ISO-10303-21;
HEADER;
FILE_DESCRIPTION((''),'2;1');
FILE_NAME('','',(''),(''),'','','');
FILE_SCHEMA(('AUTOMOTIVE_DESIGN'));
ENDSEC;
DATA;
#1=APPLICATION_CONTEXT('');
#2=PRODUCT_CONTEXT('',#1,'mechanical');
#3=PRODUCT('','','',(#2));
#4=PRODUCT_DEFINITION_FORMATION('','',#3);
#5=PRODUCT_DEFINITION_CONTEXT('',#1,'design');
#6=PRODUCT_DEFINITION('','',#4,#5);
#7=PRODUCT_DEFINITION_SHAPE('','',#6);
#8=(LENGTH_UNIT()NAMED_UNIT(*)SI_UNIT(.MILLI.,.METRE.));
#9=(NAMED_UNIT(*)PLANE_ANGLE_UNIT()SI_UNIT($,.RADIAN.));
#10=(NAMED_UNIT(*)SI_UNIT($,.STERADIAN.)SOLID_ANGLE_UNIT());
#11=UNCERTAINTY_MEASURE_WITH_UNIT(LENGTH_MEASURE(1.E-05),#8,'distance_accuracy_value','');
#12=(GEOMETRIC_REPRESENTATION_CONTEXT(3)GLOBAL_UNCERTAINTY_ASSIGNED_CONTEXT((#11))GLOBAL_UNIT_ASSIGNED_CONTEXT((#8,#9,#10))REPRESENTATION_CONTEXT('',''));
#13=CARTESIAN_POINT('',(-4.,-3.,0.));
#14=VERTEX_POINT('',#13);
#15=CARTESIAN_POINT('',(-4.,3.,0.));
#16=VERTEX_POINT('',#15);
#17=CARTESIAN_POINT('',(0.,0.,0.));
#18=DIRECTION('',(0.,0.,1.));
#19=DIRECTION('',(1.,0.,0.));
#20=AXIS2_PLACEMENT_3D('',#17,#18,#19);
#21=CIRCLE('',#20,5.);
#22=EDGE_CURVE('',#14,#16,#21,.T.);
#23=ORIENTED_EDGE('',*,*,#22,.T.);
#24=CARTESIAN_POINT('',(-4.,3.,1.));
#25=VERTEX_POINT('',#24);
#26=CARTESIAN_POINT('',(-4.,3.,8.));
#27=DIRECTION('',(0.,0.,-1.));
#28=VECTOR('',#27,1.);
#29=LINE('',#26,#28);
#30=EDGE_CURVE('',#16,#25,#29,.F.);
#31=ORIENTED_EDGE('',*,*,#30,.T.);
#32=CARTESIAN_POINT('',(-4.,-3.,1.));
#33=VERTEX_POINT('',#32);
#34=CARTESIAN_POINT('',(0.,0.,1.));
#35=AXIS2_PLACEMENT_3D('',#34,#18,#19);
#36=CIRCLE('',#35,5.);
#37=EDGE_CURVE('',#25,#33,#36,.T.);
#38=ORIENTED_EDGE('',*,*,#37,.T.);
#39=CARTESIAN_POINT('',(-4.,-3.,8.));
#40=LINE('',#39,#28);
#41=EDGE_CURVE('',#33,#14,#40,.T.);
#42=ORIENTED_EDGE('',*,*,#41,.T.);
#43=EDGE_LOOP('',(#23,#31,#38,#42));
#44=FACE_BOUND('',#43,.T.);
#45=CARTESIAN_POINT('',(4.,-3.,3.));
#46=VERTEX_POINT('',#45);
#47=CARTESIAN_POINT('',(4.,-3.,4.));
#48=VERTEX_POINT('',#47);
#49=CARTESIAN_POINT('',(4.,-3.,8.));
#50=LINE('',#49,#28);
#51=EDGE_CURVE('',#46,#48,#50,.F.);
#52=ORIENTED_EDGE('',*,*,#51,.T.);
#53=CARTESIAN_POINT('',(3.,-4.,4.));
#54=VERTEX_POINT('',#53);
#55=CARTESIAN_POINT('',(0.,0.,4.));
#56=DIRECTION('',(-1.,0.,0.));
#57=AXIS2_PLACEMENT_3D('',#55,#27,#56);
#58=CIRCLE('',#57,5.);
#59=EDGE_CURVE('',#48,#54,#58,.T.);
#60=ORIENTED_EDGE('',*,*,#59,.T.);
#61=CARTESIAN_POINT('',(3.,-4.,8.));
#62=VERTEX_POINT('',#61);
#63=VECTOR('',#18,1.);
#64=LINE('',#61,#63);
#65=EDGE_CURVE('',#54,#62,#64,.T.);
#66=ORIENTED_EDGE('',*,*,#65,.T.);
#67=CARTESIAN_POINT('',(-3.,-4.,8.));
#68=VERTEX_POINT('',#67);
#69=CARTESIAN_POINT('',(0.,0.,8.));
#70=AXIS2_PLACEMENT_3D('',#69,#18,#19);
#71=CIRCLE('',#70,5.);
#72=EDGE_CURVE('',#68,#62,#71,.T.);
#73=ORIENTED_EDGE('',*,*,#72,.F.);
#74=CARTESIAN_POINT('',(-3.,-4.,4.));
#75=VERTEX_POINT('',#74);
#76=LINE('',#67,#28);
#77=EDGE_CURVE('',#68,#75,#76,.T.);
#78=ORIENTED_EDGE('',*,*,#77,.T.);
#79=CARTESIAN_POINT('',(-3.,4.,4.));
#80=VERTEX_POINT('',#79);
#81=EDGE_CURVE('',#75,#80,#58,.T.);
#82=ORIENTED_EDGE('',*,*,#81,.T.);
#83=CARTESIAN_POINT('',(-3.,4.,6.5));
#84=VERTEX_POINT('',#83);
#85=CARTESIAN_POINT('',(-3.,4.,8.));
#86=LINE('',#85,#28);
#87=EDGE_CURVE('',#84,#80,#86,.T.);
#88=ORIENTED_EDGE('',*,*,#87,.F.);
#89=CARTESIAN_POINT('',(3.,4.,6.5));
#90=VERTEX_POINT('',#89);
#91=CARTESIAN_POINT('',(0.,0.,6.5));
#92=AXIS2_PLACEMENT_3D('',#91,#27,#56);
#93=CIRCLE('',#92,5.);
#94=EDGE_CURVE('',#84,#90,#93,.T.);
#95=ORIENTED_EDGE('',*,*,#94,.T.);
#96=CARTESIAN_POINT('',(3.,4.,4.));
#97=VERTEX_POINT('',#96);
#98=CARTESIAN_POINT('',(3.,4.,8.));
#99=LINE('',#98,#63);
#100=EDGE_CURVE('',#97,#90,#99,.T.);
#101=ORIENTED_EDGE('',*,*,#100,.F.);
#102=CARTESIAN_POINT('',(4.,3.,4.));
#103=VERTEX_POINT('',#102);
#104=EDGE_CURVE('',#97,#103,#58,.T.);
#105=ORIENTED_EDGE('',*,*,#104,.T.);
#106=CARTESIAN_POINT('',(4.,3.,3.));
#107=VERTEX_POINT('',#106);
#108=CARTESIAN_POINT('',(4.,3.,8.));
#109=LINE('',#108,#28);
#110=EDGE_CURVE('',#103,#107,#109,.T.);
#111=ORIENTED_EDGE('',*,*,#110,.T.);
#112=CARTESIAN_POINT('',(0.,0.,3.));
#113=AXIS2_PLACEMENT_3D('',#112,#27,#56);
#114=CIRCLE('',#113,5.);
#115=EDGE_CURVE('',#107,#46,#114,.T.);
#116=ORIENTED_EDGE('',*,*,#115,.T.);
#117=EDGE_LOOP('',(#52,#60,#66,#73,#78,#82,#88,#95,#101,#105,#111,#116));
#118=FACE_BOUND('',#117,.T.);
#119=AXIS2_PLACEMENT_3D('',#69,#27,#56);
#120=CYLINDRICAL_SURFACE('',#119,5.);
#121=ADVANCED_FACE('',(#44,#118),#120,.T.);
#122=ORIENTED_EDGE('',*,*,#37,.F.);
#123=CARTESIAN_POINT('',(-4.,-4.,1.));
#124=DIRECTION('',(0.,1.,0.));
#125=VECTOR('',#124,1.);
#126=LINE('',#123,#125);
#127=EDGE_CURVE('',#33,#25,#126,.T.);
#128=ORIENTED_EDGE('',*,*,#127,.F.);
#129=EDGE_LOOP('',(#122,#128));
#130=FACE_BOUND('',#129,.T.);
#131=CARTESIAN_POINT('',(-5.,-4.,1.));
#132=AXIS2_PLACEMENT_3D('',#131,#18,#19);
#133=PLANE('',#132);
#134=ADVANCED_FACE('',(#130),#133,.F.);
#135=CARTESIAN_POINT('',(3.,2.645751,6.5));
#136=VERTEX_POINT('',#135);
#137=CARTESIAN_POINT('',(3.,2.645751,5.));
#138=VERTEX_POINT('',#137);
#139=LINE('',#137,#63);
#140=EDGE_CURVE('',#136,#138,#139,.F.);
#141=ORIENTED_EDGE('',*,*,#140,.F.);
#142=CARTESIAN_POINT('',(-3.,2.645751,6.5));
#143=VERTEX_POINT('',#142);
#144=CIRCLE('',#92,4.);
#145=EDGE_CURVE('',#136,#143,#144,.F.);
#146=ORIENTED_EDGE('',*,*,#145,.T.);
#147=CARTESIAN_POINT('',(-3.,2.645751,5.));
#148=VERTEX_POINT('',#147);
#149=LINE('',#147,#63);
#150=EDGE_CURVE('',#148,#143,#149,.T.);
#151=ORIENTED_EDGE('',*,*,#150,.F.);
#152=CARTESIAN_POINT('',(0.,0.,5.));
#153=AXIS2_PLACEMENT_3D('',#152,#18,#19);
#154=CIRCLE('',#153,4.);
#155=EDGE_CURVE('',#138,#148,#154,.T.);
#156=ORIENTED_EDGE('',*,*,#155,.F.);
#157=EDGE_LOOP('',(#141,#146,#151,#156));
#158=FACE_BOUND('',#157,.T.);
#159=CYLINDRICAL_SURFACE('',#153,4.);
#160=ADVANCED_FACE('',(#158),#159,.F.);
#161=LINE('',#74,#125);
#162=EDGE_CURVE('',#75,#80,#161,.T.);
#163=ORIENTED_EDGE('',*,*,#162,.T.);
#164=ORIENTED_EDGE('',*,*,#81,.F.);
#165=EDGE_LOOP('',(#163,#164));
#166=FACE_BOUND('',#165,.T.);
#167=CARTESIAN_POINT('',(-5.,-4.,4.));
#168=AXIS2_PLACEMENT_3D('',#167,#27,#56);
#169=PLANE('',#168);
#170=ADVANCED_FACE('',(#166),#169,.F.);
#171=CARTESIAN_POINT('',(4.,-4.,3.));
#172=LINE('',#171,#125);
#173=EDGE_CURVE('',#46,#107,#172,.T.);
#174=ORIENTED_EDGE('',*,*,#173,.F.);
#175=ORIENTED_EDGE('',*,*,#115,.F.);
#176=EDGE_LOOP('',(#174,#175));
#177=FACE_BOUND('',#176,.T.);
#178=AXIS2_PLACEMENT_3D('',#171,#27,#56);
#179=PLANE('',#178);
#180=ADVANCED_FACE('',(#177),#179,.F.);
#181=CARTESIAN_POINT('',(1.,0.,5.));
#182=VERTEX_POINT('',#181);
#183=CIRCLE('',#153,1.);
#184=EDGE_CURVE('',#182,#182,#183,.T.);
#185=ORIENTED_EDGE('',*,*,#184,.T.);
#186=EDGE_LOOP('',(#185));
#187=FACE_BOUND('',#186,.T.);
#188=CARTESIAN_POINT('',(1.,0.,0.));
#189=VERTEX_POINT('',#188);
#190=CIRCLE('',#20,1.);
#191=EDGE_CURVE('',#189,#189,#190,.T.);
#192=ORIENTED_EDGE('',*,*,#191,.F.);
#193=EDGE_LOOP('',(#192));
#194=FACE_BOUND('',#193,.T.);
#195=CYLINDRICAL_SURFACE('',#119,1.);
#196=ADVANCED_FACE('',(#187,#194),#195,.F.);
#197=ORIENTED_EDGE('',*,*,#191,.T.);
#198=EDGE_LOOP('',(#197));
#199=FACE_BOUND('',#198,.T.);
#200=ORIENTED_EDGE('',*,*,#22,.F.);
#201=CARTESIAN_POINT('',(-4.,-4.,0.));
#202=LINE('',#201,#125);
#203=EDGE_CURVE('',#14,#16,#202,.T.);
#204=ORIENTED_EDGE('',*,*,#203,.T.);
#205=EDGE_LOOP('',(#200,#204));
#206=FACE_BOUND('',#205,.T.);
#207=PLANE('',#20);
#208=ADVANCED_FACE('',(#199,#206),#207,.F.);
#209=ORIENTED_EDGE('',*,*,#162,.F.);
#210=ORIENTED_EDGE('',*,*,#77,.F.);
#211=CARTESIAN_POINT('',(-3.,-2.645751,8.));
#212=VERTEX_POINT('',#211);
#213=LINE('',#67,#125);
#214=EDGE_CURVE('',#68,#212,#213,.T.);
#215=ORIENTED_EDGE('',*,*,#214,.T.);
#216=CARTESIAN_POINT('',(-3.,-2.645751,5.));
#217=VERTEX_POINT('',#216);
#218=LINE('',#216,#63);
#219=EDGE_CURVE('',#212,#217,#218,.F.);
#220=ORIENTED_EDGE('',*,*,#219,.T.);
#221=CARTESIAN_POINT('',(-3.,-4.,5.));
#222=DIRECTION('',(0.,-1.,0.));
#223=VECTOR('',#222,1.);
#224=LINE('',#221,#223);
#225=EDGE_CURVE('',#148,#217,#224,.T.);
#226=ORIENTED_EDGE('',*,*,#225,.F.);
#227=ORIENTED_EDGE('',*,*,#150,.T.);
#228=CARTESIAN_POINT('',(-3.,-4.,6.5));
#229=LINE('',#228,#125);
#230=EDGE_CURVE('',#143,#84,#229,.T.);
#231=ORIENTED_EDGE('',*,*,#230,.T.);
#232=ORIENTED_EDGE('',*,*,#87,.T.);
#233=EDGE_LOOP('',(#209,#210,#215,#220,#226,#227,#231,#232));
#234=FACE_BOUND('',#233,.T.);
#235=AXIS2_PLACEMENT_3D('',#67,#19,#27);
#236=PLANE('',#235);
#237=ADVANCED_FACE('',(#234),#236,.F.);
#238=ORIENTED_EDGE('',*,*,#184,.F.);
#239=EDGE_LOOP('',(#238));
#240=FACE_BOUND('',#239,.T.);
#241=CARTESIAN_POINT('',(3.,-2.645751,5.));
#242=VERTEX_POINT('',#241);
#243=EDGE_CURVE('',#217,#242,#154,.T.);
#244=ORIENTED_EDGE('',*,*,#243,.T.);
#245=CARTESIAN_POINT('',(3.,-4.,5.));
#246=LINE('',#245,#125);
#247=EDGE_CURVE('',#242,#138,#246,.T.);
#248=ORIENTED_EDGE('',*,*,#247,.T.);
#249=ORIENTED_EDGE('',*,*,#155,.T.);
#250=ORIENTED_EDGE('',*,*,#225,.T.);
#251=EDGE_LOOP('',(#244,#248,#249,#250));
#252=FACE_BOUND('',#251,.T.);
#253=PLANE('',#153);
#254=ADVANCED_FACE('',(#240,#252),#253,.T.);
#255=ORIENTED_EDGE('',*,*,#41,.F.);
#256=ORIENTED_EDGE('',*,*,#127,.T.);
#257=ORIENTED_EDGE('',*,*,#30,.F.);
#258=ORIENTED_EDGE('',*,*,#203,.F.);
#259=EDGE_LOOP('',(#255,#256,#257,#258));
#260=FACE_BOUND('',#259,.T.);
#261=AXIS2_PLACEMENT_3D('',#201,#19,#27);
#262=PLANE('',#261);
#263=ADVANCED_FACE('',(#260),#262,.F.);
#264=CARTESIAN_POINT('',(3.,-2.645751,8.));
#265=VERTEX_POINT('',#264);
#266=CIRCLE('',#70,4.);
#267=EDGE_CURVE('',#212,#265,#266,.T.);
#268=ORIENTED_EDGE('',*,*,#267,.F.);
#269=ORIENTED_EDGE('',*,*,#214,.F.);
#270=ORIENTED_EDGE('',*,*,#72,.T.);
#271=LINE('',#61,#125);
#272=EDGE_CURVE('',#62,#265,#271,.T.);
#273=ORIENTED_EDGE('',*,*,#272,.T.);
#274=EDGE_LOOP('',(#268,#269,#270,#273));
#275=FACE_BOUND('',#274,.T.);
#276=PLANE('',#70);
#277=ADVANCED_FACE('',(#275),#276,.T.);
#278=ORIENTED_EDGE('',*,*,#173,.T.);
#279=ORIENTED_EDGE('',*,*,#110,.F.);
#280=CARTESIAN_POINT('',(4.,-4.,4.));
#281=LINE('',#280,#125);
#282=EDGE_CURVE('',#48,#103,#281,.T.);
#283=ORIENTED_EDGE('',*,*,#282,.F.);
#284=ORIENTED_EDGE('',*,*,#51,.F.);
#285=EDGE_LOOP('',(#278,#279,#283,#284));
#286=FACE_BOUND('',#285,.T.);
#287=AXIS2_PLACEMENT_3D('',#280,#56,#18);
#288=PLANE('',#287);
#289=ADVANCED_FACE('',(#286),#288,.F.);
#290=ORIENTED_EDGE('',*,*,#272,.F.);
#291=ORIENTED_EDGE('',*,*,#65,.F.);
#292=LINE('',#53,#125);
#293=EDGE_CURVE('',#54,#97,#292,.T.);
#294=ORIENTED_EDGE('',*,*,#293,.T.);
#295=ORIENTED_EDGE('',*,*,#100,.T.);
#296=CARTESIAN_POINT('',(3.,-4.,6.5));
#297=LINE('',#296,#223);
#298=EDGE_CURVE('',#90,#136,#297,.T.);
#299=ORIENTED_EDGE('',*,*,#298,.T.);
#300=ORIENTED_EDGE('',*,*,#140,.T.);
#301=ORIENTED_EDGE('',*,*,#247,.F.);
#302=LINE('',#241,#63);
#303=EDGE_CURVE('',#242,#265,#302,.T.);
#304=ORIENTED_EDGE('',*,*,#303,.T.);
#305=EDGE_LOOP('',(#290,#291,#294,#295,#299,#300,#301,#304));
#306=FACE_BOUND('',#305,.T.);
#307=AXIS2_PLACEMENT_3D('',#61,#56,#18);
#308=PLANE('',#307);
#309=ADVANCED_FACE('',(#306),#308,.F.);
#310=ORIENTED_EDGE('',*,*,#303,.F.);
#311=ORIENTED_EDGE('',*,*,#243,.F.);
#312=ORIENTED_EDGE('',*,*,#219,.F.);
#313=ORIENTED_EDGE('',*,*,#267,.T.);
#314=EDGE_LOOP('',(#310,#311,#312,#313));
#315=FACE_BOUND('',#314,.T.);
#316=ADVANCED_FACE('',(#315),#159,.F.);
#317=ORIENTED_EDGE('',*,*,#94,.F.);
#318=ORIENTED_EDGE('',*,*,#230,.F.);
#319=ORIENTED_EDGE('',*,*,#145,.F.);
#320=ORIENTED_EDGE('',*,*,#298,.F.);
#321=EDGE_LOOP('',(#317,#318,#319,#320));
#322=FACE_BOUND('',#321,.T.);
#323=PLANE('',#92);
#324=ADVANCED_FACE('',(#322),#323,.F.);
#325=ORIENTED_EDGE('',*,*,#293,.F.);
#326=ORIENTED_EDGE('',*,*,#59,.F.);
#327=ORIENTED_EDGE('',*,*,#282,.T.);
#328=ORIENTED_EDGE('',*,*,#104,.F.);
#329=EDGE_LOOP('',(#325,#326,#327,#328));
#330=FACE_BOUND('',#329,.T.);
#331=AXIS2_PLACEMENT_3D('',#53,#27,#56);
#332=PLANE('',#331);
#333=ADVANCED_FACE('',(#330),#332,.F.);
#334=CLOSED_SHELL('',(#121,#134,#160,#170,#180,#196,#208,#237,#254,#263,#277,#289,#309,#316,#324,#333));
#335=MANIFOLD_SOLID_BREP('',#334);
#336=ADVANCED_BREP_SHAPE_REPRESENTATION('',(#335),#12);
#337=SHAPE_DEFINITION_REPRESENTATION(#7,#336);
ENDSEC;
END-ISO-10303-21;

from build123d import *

# Parameters (mm, degrees)
SKETCH2_R           = 5
SKETCH2_R_2         = 1
BOSS_EXTRUDE1_DEPTH = 8
SKETCH3_W           = 1
SKETCH3_H           = 1
SKETCH3_W_2         = 2
SKETCH3_H_2         = 4
CUT_EXTRUDE1_DEPTH  = 4
SKETCH4_R           = 4
CUT_EXTRUDE2_DEPTH  = 3
SKETCH5_W           = 9.370112771
SKETCH5_H           = 5.033531654
CUT_EXTRUDE3_DEPTH  = 1.5


with BuildPart() as part:
    # Sketch2 → Boss-Extrude1 (new body)
    with BuildSketch(Plane.XY):
        Circle(SKETCH2_R)
        Circle(SKETCH2_R_2, mode=Mode.SUBTRACT)
    extrude(amount=BOSS_EXTRUDE1_DEPTH)

    # Sketch3 → Cut-Extrude1 (cut, symmetric)
    with BuildSketch(Plane(origin=(0, 0, 0), x_dir=(1, 0, 0), z_dir=(0, 1, 0))):
        with Locations((-4.5, -0.5)):
            Rectangle(SKETCH3_W, SKETCH3_H)
        Polygon((5, -8), (3, -8), (3, -4), (4, -4), (4, -3), (5, -3), align=None)
        with Locations((-4, -6)):
            Rectangle(SKETCH3_W_2, SKETCH3_H_2)
    extrude(amount=CUT_EXTRUDE1_DEPTH, both=True, mode=Mode.SUBTRACT)

    # Sketch4 → Cut-Extrude2 (cut)
    with BuildSketch(Plane.XY.offset(8)):
        Circle(SKETCH4_R)
    extrude(amount=-CUT_EXTRUDE2_DEPTH, mode=Mode.SUBTRACT)

    # Sketch5 → Cut-Extrude3 (cut)
    with BuildSketch(Plane.XY.offset(8)):
        with Locations((0.643727428, 3.756174823)):
            Rectangle(SKETCH5_W, SKETCH5_H)
    extrude(amount=-CUT_EXTRUDE3_DEPTH, mode=Mode.SUBTRACT)


solid = part.part
